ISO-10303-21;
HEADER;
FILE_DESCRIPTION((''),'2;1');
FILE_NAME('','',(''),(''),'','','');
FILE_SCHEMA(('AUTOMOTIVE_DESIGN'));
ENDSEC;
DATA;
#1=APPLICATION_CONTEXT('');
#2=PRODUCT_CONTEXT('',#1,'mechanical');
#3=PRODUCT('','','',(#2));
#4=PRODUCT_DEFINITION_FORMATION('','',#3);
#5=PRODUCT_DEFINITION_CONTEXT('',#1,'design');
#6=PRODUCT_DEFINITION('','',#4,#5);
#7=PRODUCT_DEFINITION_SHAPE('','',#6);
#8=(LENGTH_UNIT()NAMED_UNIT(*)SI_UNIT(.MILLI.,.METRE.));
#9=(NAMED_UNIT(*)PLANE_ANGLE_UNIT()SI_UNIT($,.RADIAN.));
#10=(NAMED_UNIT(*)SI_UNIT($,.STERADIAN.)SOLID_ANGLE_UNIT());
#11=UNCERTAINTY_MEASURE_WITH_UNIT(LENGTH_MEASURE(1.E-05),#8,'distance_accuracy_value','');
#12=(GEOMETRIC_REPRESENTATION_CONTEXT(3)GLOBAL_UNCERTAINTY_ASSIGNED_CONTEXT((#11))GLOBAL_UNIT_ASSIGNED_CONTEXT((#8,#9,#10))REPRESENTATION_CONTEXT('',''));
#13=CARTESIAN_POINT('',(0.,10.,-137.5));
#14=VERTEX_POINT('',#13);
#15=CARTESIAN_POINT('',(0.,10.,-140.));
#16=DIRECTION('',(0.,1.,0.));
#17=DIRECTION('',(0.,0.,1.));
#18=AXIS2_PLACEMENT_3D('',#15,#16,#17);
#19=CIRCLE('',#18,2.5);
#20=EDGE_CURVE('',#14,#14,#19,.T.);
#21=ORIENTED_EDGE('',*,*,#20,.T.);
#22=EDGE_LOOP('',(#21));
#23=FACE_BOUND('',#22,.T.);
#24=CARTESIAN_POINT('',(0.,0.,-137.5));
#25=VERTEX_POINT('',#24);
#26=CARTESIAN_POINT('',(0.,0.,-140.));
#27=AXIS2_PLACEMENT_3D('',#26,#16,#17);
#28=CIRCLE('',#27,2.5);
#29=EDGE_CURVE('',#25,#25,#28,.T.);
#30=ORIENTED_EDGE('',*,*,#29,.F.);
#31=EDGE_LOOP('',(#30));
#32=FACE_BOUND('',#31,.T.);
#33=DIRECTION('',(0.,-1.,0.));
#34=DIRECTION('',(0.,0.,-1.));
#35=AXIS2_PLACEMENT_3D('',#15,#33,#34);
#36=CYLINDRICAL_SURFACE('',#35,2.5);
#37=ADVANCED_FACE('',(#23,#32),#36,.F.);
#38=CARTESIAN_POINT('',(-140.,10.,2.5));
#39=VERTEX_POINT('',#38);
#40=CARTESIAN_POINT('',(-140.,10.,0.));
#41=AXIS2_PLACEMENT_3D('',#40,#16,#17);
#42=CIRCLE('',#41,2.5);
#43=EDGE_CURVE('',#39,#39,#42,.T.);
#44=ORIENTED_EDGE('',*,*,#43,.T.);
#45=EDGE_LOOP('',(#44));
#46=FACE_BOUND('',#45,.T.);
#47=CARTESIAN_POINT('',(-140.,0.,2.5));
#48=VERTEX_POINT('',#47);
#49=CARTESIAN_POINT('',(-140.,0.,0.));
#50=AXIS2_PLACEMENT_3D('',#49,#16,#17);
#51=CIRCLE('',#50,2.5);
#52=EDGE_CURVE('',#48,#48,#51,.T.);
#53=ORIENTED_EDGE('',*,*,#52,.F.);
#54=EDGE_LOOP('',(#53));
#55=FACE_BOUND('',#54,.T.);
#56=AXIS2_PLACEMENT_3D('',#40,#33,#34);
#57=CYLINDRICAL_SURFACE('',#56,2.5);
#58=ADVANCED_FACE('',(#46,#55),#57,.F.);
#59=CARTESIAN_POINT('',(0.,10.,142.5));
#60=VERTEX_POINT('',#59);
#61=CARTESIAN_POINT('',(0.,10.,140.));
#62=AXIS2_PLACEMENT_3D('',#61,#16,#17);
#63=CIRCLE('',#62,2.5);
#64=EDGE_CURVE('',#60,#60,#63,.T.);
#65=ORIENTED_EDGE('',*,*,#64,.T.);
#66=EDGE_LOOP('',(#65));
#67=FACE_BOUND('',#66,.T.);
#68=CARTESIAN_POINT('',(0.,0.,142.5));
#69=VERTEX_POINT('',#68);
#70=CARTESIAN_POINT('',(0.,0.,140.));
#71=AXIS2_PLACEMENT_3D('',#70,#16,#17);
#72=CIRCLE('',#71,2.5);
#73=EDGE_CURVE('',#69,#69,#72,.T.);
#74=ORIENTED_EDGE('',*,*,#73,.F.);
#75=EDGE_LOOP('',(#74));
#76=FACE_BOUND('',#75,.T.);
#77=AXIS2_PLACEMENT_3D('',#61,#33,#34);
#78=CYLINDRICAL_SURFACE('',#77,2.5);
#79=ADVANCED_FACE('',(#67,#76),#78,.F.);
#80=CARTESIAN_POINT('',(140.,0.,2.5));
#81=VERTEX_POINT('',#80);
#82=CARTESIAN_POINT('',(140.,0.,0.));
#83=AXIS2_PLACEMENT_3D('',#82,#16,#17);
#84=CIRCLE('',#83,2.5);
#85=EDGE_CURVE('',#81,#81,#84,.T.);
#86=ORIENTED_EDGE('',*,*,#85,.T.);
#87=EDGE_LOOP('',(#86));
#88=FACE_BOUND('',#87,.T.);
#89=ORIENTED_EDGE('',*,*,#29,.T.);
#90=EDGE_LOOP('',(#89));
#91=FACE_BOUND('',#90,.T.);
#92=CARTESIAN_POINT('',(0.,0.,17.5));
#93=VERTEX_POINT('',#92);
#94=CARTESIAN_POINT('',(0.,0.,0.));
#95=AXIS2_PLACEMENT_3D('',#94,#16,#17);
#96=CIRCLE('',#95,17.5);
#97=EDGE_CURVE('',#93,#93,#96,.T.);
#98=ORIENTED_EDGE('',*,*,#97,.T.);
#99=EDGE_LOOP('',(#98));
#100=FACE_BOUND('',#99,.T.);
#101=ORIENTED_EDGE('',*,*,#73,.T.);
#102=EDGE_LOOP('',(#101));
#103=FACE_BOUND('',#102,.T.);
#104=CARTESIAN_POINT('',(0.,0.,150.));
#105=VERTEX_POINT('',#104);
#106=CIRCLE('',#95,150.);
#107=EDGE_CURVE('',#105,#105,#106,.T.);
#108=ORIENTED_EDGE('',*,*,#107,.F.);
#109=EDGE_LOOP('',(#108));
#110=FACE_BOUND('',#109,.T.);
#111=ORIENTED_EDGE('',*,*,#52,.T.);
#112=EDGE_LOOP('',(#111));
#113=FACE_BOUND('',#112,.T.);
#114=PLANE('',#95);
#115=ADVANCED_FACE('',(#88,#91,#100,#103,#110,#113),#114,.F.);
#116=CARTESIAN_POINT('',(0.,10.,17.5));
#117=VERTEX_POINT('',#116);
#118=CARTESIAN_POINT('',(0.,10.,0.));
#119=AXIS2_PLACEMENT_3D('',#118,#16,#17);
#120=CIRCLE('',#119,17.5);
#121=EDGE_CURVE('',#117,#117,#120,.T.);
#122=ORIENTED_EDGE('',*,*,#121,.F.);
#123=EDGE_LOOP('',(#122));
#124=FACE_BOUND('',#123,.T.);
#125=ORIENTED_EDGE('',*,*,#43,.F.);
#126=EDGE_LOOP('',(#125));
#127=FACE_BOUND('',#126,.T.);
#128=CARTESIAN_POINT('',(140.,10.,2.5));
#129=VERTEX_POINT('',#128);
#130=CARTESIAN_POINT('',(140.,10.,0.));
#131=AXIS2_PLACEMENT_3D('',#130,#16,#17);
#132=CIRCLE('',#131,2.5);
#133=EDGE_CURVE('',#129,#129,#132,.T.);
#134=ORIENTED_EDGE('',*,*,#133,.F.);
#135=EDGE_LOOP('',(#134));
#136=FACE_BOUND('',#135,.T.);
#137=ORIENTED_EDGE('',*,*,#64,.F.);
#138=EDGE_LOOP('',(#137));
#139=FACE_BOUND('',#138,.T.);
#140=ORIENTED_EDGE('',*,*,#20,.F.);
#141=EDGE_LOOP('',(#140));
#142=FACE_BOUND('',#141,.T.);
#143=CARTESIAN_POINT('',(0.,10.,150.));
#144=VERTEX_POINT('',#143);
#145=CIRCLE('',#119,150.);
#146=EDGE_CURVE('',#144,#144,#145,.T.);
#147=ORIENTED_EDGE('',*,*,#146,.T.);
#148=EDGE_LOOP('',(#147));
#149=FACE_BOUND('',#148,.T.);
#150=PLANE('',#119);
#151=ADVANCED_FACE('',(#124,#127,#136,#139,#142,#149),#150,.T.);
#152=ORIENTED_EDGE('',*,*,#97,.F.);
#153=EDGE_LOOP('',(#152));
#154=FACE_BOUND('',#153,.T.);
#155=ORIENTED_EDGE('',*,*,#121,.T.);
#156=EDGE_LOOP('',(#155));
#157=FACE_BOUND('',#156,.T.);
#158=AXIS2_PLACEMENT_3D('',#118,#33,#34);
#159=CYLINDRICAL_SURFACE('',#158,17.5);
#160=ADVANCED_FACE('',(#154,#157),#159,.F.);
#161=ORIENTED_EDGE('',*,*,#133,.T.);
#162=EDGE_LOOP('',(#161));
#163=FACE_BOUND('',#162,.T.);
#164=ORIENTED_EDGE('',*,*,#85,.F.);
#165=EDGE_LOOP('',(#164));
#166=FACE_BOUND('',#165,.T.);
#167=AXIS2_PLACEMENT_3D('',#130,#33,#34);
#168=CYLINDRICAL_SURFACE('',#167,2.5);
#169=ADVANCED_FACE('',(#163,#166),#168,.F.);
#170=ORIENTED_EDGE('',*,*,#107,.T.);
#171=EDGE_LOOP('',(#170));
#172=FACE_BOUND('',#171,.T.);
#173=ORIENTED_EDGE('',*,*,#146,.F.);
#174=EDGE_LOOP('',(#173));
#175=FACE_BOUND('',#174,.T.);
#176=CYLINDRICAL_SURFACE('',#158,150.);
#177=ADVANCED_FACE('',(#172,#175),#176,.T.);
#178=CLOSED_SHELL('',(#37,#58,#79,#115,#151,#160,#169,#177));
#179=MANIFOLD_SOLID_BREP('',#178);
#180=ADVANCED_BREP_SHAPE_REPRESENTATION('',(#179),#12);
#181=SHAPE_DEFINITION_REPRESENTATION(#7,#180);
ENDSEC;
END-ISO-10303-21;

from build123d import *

# Parameters (mm, degrees)
SKETCH1_R           = 150
SKETCH1_R_2         = 17.5
SKETCH1_R_3         = 2.5
BOSS_EXTRUDE1_DEPTH = 10


with BuildPart() as part:
    # Sketch1 → Boss-Extrude1 (new body)
    with BuildSketch(Plane(origin=(0, 0, 0), x_dir=(1, 0, 0), z_dir=(0, 1, 0))):
        Circle(SKETCH1_R)
        Circle(SKETCH1_R_2, mode=Mode.SUBTRACT)
        with Locations((-140, 0)):
            Circle(SKETCH1_R_3, mode=Mode.SUBTRACT)
        with Locations((0, 140)):
            Circle(SKETCH1_R_3, mode=Mode.SUBTRACT)
        with Locations((140, 0)):
            Circle(SKETCH1_R_3, mode=Mode.SUBTRACT)
        with Locations((0, -140)):
            Circle(SKETCH1_R_3, mode=Mode.SUBTRACT)
    extrude(amount=BOSS_EXTRUDE1_DEPTH)


solid = part.part
